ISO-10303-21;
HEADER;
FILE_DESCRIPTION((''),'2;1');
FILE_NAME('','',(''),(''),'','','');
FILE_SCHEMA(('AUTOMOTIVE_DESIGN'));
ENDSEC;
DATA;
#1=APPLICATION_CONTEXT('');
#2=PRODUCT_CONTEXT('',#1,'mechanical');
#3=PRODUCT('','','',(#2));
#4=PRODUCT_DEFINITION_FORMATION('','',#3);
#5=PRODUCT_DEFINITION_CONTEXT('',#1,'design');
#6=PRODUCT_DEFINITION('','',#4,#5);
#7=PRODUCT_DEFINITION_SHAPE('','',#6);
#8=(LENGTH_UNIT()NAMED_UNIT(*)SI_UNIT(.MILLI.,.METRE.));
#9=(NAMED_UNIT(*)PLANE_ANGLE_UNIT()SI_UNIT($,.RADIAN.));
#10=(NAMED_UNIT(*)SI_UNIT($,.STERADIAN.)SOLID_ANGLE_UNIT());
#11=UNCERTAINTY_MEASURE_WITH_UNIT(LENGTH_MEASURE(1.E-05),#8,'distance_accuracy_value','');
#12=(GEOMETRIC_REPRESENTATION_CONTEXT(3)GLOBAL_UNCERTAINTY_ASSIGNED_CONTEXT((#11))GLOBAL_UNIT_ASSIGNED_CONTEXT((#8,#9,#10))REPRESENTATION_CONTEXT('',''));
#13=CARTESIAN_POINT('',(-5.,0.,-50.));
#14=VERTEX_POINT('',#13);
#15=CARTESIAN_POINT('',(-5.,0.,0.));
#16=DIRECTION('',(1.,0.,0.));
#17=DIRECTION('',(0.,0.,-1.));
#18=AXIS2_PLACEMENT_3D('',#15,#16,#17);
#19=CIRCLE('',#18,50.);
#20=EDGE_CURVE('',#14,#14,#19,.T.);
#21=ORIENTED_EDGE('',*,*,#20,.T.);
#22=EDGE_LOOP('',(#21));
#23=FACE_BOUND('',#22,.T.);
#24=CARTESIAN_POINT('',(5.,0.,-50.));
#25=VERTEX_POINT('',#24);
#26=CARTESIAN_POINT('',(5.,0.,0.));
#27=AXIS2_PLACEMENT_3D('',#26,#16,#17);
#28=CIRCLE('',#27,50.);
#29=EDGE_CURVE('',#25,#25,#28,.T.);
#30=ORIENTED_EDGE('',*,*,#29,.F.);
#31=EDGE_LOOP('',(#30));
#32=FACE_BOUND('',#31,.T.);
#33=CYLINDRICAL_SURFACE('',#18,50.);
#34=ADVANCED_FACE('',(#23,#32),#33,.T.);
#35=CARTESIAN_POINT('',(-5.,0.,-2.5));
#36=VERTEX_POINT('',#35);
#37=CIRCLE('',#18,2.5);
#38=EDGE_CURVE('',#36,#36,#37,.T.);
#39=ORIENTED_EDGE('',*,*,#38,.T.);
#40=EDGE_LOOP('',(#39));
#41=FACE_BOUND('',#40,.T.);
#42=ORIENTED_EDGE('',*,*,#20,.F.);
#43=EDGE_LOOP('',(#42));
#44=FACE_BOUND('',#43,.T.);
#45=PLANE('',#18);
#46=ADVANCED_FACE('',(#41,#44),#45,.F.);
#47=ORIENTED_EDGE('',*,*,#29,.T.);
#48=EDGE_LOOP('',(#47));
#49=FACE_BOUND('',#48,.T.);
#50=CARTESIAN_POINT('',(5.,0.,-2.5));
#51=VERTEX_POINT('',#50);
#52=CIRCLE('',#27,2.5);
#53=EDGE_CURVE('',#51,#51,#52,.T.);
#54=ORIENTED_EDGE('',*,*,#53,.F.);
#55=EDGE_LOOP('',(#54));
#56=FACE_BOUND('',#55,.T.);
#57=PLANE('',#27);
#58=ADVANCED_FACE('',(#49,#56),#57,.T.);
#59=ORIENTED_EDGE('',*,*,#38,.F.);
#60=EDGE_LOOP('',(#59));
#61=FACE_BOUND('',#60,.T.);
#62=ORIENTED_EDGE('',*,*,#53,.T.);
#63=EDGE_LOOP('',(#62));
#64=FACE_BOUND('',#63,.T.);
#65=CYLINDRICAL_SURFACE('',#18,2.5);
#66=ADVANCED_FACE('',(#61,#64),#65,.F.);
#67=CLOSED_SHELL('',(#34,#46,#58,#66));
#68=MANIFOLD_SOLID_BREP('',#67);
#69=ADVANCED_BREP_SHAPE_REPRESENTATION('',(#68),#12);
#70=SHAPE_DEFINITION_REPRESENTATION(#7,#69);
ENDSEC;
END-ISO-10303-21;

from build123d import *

# Parameters (mm, degrees)
BOSS_EXTRU_1_DEPTH      = 5
BOSS_EXTRU_1_DEPTH_BACK = 5
ESQUISSE1_R             = 50
ESQUISSE3_R             = 2.5
ENL_V_MAT_EXTRU_2_DEPTH = 72.414284285


with BuildPart() as part:
    # Esquisse1 → Boss.-Extru.1 (new, two sides: drawn at the far end of the back side and taken through both)
    with BuildSketch(Plane(origin=(0, 0, 0), x_dir=(0, 0, -1), z_dir=(1, 0, 0)).offset(-BOSS_EXTRU_1_DEPTH_BACK)):
        Circle(ESQUISSE1_R)
    extrude(amount=BOSS_EXTRU_1_DEPTH + BOSS_EXTRU_1_DEPTH_BACK)

    # Esquisse3 → Enlèv. mat.-Extru.2 (cut, through all)
    with BuildSketch(Plane(origin=(5, 0, 0), x_dir=(0, 0, -1), z_dir=(1, 0, 0))):
        Circle(ESQUISSE3_R)
    extrude(amount=-ENL_V_MAT_EXTRU_2_DEPTH, mode=Mode.SUBTRACT)


solid = part.part
